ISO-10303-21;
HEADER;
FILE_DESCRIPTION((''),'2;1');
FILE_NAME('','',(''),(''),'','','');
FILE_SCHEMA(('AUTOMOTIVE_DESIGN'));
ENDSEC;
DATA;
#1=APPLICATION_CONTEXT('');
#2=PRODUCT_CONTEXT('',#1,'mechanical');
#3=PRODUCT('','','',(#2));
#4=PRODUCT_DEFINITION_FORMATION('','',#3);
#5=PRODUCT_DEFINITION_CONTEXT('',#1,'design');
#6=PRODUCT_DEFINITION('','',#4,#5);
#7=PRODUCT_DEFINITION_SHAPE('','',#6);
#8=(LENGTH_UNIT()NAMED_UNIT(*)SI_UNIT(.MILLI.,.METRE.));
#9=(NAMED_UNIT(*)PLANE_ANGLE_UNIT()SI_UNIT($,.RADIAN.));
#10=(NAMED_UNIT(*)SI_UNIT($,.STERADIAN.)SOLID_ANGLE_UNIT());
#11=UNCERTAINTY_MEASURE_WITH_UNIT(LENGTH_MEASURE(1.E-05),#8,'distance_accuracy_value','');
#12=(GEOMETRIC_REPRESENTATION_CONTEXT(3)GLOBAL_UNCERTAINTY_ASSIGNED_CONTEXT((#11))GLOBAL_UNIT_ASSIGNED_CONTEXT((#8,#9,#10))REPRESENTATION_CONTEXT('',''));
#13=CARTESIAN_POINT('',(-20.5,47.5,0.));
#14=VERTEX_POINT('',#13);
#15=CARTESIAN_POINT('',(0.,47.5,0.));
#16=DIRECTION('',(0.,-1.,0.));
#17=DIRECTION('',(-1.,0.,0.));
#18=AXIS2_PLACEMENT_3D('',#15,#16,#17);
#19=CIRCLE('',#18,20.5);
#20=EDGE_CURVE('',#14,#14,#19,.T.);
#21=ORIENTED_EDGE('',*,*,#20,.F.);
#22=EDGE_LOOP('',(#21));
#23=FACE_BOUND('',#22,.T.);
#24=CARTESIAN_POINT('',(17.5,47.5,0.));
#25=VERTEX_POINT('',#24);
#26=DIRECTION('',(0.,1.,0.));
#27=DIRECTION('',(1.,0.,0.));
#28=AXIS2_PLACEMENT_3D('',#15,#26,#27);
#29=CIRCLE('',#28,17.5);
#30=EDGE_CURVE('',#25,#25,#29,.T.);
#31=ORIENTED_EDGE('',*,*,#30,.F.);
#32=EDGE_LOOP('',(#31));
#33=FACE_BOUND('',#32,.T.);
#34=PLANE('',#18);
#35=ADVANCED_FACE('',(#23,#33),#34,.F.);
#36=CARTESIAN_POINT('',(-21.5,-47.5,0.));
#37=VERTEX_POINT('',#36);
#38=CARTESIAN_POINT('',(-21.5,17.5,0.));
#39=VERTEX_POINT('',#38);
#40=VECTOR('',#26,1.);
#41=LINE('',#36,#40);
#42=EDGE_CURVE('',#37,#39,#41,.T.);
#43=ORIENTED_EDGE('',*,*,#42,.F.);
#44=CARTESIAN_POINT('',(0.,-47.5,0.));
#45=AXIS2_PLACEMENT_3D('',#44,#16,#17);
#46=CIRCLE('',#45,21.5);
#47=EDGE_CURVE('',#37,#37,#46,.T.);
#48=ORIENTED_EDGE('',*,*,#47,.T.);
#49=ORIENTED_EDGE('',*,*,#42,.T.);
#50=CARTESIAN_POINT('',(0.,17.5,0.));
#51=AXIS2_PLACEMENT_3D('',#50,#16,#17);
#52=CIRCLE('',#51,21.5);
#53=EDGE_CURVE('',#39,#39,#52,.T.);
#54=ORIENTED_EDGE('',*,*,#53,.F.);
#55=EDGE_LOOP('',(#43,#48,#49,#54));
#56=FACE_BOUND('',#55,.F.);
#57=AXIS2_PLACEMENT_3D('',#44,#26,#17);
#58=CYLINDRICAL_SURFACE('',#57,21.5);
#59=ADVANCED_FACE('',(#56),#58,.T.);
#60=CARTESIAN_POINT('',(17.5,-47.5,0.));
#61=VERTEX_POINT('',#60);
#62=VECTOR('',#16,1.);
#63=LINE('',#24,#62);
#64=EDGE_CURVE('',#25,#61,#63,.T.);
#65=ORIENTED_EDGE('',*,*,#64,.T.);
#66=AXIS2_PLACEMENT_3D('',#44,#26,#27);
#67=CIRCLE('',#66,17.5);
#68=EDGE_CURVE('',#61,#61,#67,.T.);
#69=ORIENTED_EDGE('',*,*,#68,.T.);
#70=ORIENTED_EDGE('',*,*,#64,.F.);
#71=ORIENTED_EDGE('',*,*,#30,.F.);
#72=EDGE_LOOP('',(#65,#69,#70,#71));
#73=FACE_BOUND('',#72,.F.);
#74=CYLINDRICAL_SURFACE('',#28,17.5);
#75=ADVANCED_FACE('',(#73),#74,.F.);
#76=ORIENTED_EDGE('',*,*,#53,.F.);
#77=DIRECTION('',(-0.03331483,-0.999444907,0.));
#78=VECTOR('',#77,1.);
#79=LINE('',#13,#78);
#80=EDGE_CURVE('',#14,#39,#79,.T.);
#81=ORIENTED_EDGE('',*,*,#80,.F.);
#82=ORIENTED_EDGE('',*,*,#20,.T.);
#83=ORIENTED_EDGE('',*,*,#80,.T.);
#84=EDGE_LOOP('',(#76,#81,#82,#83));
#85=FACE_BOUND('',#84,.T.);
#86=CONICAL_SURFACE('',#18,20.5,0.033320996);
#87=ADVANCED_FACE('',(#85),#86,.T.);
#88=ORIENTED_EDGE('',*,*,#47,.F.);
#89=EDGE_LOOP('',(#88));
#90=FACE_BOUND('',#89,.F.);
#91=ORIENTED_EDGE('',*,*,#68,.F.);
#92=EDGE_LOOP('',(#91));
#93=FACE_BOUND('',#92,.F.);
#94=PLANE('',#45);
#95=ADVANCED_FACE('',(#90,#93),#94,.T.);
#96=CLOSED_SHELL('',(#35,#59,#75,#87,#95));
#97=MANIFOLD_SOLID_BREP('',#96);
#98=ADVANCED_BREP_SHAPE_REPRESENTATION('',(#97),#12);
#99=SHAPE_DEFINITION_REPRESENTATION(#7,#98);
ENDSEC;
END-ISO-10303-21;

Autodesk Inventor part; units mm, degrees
ref_plane "YZ Plane" through (0, 0, 0) normal (1, 0, 0) x (0, 1, 0)
ref_plane "XZ Plane" through (0, 0, 0) normal (0, 1, 0) x (-1, 0, 0)
ref_plane "XY Plane" through (0, 0, 0) normal (0, 0, 1) x (1, 0, 0)
sketch "Boceto1" plane through (0, 0, 0) normal (0, 0, 1) x (1, 0, 0)
  line L0 (0, 132.9544) -> (0, -187.2356) construction
  line L1 (-210.4029, 0) -> (220.8608, 0) construction
  line L2 (0, 47.5) -> (-20.5, 47.5)
  line L3 (0, -47.5) -> (-21.5, -47.5)
  line L4 (-21.5, -47.5) -> (-21.5, 65.7423) construction
  line L5 (-20.5, 47.5) -> (-21.5, 17.5)
  line L6 (-21.5, -47.5) -> (-21.5, 17.5)
  line L7 (0, 47.5) -> (0, -47.5)
  point P0 (0, 0)
  point P1 (-10.75, -47.5)
  point P2 (-10.25, 47.5)
  dimension "d0" = 20.5
  dimension "d1" = 21.5
  dimension "d2" = 95
  dimension "d3" = 30
revolve "Revolución1" add sketch "Boceto1" angle 360 about axis through (0, 132.9544, 0) along (0, -1, 0)
sketch "Boceto2" plane through (0, 47.5, 0) normal (0, 1, 0) x (1, 0, 0)
  circle A0 centre (0, 0) radius 17.5
  dimension "d5" = 35
extrude "Extrusión1" cut sketch "Boceto2" against normal blind 150
